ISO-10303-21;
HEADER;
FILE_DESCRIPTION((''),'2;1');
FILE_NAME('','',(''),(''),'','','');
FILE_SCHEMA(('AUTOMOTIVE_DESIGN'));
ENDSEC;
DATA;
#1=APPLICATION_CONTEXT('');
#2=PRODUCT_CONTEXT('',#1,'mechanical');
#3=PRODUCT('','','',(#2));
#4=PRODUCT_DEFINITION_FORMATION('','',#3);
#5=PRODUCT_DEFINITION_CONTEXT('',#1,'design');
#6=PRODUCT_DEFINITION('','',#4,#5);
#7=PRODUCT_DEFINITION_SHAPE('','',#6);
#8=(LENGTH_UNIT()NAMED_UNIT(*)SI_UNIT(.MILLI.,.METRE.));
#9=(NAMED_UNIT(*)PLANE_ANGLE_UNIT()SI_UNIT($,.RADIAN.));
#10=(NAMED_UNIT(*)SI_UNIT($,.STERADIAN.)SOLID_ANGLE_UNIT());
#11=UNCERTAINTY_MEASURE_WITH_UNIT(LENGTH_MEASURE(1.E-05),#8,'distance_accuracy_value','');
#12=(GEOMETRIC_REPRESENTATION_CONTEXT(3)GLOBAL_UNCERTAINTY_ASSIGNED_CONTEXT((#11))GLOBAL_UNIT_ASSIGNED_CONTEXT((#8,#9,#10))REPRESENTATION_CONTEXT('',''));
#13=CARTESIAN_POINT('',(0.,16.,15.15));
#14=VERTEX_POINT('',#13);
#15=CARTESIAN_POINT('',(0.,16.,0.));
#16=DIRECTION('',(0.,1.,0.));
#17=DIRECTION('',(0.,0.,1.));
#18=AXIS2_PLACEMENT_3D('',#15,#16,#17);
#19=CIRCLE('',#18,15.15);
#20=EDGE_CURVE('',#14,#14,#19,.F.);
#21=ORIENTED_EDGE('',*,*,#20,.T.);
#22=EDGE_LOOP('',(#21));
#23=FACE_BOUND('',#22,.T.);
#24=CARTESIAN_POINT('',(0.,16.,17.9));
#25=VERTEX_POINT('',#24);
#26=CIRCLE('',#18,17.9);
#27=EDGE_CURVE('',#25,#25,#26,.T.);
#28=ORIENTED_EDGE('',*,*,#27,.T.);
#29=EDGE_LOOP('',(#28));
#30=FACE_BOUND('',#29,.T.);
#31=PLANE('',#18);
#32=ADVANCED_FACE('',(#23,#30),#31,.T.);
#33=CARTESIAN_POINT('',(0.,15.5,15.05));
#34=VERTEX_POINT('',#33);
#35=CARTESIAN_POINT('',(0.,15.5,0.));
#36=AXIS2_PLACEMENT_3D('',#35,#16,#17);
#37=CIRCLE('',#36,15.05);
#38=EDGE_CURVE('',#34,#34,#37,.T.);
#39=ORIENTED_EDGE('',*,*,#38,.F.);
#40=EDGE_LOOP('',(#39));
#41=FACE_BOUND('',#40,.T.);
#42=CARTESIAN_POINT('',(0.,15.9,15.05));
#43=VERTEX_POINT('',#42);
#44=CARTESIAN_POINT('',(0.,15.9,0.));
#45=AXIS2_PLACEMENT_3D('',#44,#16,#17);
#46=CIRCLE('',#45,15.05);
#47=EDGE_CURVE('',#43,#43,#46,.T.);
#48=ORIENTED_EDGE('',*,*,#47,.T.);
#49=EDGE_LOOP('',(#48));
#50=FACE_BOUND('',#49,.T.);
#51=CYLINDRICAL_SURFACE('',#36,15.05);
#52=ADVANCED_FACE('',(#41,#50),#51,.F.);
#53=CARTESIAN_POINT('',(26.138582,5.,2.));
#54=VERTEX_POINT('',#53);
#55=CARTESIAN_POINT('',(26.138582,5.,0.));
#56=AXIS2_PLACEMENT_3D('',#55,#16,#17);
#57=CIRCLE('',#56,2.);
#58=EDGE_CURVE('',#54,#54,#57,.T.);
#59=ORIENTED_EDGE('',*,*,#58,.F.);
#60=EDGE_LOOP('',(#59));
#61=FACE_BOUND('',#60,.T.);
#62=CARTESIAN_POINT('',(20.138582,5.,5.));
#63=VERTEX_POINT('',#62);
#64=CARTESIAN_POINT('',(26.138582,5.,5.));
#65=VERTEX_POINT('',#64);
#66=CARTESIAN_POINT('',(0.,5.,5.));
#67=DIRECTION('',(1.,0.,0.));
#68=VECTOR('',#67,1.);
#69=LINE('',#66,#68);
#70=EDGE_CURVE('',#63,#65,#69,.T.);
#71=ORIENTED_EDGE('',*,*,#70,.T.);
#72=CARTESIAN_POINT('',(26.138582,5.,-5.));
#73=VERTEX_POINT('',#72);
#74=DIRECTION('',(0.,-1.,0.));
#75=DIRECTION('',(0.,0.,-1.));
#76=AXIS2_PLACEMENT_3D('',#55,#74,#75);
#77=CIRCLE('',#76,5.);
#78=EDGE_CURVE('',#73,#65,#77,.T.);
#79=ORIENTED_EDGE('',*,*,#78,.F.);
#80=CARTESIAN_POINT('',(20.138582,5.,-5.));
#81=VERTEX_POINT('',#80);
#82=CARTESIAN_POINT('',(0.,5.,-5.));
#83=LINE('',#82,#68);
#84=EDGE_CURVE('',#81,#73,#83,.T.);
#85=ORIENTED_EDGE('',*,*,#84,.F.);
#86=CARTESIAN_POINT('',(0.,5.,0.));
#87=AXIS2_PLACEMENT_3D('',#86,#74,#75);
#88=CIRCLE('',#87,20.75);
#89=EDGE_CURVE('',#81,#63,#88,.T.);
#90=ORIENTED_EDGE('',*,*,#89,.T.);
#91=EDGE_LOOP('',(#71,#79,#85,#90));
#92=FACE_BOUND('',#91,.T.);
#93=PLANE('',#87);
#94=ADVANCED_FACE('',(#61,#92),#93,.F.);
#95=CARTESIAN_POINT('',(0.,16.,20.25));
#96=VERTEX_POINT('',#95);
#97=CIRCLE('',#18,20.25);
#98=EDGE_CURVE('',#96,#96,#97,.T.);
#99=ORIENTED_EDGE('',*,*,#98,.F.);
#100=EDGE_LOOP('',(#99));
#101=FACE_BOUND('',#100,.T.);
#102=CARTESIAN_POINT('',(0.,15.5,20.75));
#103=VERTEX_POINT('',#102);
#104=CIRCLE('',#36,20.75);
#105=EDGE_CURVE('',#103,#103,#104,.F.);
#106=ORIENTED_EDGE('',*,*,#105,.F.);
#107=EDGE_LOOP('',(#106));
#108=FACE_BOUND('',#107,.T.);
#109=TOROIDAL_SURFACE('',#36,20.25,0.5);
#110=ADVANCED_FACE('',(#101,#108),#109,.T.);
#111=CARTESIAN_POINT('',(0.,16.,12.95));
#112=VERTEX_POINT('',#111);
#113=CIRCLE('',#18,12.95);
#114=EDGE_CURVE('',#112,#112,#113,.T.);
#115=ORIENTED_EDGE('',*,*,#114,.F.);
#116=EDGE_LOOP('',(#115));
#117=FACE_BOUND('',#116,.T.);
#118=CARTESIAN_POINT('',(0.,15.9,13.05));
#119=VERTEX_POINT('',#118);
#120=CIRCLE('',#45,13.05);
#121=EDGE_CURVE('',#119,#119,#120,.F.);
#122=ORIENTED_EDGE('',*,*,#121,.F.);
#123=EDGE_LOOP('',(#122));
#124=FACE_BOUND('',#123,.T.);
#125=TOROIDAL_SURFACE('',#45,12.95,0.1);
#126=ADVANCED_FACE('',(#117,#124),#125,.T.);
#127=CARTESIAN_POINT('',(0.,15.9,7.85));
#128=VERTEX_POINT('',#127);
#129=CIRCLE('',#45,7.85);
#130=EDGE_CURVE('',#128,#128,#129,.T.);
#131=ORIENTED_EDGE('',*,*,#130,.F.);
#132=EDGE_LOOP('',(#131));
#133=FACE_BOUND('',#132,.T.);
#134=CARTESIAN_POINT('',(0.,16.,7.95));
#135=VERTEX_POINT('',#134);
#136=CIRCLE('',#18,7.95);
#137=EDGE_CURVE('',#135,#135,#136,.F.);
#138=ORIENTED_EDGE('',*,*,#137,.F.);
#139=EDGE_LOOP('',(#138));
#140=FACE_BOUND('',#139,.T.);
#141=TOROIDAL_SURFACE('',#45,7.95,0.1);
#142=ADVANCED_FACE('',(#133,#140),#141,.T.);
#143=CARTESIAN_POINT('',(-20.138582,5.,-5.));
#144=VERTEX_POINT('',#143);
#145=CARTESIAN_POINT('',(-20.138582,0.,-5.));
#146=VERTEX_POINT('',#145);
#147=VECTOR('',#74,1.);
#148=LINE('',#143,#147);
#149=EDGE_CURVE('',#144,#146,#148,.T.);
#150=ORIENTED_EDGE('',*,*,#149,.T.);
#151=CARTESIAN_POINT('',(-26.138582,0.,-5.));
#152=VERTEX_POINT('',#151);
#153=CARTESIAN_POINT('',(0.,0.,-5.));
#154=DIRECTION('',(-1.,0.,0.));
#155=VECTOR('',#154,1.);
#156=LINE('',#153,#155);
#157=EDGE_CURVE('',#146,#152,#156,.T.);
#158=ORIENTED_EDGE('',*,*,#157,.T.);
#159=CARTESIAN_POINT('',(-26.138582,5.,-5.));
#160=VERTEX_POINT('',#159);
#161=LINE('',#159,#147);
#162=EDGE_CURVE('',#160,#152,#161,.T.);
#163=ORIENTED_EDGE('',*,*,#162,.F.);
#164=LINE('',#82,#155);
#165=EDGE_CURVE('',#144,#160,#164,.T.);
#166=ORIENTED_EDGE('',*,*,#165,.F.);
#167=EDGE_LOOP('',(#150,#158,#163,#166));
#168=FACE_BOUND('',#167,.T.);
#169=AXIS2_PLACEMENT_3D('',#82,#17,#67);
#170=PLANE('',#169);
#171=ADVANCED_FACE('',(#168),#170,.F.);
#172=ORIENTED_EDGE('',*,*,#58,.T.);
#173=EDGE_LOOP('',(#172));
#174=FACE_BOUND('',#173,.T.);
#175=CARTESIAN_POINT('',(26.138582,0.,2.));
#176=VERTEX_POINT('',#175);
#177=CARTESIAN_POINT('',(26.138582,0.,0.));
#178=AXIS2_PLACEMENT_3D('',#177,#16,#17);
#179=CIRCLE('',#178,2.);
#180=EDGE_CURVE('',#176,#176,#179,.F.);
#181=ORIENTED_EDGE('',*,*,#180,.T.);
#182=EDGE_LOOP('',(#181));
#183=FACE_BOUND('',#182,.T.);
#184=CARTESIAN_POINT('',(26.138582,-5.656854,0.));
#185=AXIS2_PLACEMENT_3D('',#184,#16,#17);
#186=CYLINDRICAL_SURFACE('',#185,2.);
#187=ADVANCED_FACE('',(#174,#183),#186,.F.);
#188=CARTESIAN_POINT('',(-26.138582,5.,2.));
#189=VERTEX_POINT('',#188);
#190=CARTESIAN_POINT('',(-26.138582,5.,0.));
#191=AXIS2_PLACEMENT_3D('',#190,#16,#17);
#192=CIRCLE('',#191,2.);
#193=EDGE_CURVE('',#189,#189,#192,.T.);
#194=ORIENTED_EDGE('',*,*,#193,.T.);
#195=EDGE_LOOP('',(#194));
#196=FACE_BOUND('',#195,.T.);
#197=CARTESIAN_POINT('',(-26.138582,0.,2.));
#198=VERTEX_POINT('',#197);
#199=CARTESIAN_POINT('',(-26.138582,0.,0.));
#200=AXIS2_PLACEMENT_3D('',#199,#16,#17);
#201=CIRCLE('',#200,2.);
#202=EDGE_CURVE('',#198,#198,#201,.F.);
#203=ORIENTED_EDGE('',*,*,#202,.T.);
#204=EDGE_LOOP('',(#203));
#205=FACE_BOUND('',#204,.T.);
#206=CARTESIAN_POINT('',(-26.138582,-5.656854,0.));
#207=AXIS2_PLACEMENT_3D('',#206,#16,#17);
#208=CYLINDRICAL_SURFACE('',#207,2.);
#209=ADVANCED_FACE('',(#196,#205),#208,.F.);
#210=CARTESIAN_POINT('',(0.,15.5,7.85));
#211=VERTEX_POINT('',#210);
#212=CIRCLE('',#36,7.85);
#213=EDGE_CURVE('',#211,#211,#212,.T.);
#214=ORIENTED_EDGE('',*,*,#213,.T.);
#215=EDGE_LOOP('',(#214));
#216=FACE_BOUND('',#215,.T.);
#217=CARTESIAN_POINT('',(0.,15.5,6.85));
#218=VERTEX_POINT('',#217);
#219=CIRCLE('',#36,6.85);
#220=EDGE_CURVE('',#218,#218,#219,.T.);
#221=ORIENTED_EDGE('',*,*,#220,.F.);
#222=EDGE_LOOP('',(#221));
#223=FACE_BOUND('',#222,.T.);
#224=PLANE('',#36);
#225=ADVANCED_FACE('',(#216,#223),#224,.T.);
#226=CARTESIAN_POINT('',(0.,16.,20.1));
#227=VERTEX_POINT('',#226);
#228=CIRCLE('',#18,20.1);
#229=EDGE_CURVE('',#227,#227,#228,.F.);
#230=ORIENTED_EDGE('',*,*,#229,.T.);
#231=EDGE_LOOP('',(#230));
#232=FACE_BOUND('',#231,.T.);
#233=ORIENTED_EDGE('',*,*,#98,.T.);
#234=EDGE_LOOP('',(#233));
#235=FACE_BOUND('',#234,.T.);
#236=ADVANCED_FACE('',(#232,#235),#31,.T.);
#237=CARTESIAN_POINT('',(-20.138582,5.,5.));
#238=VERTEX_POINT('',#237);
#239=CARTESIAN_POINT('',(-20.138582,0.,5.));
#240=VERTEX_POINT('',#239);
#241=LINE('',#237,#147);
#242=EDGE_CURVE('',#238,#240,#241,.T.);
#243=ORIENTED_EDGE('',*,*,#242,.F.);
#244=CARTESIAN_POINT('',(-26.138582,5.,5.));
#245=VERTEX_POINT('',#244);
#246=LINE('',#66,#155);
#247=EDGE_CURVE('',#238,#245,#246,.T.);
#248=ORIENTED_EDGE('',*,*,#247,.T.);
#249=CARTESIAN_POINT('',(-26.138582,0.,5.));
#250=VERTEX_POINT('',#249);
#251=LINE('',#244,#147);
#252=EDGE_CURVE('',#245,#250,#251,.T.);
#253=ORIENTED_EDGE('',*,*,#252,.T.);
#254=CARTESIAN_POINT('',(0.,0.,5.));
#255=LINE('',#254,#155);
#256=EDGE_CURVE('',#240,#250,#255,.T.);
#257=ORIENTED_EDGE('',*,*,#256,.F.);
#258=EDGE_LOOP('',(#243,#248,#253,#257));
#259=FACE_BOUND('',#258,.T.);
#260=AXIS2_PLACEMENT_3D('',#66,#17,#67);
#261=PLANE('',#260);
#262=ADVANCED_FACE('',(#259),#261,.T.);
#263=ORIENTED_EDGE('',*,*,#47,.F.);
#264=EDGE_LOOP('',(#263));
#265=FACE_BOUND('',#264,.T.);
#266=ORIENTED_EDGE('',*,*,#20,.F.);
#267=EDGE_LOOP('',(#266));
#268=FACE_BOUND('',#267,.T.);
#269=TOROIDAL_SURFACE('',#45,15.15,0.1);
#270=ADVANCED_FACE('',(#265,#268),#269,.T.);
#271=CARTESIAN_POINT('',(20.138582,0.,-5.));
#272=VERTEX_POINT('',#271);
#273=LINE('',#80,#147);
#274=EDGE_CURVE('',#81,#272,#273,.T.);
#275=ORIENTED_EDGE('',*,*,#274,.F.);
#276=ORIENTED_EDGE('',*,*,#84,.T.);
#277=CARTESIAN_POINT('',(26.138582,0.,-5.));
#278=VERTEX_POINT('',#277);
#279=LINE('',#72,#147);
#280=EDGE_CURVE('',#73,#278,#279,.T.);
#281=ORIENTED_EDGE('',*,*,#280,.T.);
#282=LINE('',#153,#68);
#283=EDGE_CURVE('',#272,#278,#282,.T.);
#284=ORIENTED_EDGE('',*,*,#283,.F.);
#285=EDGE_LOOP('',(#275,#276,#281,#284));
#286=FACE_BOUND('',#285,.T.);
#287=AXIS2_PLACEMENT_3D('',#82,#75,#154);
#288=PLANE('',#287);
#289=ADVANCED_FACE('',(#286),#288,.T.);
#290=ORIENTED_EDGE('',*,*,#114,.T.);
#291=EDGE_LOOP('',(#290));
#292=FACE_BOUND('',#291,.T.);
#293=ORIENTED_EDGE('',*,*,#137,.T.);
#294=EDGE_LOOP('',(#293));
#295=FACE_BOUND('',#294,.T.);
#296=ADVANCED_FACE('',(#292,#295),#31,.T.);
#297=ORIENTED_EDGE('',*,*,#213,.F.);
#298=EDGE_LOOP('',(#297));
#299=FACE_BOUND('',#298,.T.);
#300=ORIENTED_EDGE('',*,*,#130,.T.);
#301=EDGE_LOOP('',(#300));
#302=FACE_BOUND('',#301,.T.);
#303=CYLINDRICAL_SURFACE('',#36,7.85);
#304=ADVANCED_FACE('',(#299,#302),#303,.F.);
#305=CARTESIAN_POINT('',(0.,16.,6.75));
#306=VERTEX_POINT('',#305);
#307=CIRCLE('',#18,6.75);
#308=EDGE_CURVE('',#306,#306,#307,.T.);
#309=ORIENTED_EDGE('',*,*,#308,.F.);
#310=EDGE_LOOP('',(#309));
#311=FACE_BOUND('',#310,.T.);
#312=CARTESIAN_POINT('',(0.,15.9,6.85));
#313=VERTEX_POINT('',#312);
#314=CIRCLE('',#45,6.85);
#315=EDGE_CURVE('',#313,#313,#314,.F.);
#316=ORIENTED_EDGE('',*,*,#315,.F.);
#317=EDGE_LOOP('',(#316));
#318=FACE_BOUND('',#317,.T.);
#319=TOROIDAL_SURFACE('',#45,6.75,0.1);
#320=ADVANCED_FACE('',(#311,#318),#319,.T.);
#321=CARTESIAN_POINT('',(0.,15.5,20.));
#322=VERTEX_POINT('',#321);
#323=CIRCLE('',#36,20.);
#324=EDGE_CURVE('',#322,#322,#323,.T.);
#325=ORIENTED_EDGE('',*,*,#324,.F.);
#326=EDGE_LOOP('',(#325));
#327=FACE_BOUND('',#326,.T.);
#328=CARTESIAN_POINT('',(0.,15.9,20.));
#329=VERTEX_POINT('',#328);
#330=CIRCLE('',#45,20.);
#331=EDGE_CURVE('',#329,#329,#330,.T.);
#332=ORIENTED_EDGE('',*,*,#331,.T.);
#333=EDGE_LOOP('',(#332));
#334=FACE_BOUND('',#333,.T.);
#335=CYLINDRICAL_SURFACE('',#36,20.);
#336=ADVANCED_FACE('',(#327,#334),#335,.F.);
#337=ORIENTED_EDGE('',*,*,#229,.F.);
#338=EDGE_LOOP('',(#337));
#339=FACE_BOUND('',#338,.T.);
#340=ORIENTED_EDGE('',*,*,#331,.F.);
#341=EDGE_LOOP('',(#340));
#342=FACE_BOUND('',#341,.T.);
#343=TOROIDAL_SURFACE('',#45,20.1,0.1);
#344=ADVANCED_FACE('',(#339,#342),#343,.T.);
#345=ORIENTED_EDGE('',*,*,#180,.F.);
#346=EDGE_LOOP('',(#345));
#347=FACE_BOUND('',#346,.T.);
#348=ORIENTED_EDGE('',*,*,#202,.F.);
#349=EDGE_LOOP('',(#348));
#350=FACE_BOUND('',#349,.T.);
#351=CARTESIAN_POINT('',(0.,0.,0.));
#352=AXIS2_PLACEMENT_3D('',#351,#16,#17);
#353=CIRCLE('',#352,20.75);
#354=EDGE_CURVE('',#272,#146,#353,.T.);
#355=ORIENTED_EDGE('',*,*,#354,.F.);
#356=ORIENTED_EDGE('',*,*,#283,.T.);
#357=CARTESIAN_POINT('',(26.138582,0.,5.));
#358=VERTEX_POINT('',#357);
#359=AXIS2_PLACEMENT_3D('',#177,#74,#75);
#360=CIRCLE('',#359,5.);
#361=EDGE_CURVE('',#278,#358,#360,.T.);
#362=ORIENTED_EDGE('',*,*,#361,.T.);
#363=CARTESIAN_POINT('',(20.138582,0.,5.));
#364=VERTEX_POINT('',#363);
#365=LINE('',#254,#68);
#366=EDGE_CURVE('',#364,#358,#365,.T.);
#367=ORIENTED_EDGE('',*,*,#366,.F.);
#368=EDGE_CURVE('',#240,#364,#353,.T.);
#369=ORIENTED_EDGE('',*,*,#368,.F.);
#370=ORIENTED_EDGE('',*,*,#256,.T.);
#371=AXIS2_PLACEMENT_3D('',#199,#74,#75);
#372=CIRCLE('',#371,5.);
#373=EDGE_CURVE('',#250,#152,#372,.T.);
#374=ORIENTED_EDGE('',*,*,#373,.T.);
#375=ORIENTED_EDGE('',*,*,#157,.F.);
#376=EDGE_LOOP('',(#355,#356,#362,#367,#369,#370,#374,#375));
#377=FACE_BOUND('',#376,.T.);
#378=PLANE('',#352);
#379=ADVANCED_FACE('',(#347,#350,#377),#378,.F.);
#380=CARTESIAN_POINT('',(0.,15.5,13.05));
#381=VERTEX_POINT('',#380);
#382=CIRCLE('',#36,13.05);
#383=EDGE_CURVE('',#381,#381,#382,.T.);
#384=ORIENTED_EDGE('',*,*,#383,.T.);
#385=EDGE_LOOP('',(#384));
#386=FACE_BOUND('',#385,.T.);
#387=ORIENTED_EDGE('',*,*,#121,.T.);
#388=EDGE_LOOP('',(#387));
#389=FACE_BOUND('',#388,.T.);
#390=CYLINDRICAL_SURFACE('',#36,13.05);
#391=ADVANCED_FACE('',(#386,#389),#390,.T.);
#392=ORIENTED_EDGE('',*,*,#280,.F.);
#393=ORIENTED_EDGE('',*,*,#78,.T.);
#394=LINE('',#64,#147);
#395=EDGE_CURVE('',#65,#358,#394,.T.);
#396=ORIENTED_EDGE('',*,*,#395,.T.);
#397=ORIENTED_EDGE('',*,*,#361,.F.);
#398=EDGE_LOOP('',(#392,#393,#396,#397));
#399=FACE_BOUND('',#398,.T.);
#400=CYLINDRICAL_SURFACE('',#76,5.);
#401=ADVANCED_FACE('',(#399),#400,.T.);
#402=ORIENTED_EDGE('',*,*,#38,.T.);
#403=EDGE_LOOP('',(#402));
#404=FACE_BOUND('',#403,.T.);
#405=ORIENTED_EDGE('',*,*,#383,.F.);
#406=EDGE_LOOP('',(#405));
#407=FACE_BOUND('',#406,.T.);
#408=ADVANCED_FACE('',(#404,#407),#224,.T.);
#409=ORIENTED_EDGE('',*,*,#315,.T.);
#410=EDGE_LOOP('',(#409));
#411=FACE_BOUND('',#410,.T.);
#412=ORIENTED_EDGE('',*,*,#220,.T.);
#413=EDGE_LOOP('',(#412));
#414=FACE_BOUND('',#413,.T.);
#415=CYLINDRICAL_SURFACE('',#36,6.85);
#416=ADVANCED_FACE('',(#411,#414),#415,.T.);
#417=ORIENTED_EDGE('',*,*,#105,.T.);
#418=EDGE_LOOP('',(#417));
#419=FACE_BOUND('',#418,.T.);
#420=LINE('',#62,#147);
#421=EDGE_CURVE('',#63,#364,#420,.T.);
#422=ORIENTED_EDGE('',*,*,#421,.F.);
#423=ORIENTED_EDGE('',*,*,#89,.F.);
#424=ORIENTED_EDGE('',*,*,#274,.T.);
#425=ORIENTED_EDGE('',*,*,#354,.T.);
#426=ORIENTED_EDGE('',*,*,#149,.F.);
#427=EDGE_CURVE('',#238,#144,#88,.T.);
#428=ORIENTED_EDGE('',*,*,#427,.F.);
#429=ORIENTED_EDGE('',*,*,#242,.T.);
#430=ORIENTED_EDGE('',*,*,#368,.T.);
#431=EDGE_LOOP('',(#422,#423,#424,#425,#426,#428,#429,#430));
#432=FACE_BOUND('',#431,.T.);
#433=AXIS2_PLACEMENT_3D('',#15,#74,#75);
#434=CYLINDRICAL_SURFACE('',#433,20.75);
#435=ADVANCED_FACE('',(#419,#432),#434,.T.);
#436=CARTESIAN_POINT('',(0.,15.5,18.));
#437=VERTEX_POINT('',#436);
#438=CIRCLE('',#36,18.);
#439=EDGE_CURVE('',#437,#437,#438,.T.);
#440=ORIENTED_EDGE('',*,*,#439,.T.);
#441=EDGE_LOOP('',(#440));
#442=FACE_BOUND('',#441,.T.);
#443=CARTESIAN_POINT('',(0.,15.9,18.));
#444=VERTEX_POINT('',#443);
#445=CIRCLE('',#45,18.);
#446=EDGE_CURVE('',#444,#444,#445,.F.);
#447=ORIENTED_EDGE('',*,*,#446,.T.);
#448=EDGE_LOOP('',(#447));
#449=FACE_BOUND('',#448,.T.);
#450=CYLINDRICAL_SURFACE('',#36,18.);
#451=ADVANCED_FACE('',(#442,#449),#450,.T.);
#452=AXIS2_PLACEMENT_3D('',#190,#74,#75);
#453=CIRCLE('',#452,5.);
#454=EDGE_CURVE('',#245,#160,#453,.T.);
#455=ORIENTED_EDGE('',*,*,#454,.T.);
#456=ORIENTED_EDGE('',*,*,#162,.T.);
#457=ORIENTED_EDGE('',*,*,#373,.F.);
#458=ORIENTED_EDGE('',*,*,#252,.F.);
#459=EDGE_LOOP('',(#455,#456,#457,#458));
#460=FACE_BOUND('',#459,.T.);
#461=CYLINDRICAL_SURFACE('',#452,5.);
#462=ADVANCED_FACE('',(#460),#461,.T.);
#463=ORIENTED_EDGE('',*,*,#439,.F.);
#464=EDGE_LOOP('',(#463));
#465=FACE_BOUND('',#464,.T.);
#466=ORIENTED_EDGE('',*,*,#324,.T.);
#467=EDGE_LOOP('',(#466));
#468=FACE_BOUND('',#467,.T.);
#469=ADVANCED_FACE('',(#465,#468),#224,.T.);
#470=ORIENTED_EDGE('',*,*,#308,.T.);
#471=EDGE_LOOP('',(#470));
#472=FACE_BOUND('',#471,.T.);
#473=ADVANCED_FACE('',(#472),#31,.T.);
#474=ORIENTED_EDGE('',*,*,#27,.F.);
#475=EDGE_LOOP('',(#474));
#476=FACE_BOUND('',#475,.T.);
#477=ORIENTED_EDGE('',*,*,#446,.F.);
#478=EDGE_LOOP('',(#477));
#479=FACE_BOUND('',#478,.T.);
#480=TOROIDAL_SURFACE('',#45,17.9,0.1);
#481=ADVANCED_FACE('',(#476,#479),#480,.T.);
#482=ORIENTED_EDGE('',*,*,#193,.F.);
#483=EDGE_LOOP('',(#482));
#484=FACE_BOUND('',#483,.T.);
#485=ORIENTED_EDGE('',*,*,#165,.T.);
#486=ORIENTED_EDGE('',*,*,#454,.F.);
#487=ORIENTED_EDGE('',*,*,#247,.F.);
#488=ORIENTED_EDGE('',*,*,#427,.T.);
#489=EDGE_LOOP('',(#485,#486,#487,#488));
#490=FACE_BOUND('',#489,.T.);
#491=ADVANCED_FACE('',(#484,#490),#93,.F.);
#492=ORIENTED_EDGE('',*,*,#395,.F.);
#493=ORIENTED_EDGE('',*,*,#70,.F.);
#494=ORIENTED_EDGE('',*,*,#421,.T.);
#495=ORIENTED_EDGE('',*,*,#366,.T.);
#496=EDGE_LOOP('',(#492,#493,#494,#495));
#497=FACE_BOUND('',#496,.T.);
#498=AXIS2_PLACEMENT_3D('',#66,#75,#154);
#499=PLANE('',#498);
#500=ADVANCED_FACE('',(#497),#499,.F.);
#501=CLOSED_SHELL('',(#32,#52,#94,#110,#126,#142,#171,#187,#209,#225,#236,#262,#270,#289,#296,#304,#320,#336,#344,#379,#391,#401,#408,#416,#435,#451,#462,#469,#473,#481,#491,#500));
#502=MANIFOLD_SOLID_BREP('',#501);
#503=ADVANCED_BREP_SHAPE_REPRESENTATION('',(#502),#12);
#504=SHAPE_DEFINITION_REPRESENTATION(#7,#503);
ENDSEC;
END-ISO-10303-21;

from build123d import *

# Parameters (mm, degrees)
SKETCH1_R           = 20.75
BOSS_EXTRUDE1_DEPTH = 16
SKETCH2_R           = 20
SKETCH2_R_2         = 18
SKETCH2_R_3         = 15.05
SKETCH2_R_4         = 13.05
SKETCH2_R_5         = 7.85
SKETCH2_R_6         = 6.85
CUT_EXTRUDE1_DEPTH  = 0.5
FILLET1_R           = 0.1
FILLET2_R           = 0.5
SKETCH3_R           = 5
BOSS_EXTRUDE2_DEPTH = 5
SKETCH4_R           = 2
CUT_EXTRUDE2_DEPTH  = 5


with BuildPart() as part:
    # Sketch1 → Boss-Extrude1 (new body)
    with BuildSketch(Plane(origin=(0, 0, 0), x_dir=(1, 0, 0), z_dir=(0, 1, 0))):
        with Locations(Location((0, 0, 0), (0, 0, 270))):
            Circle(SKETCH1_R)
    extrude(amount=BOSS_EXTRUDE1_DEPTH)

    # Sketch2 → Cut-Extrude1 (cut)
    with BuildSketch(Plane(origin=(0, 16, 0), x_dir=(1, 0, 0), z_dir=(0, 1, 0))):
        with Locations(Location((0, 0, 0), (0, 0, 270))):
            Circle(SKETCH2_R)
        with Locations(Location((0, 0, 0), (0, 0, 270))):
            Circle(SKETCH2_R_2, mode=Mode.SUBTRACT)
        with Locations(Location((0, 0, 0), (0, 0, 270))):
            Circle(SKETCH2_R_3)
        with Locations(Location((0, 0, 0), (0, 0, 270))):
            Circle(SKETCH2_R_4, mode=Mode.SUBTRACT)
        with Locations(Location((0, 0, 0), (0, 0, 270))):
            Circle(SKETCH2_R_5)
        with Locations(Location((0, 0, 0), (0, 0, 270))):
            Circle(SKETCH2_R_6, mode=Mode.SUBTRACT)
    extrude(amount=-CUT_EXTRUDE1_DEPTH, mode=Mode.SUBTRACT)

    # Fillet1
    fillet1_edges = [part.edges().sort_by_distance(p)[0] for p in [
        (0, 16, -18),
        (0, 16, -20),
        (0, 16, -13.05),
        (0, 16, -15.05),
        (0, 16, -6.85),
        (0, 16, -7.85),
    ]]
    fillet(fillet1_edges, radius=FILLET1_R)

    # Fillet2
    fillet2_edges = [part.edges().sort_by_distance(p)[0] for p in [
        (0, 16, -20.75),
    ]]
    fillet(fillet2_edges, radius=FILLET2_R)

    # Sketch3 → Boss-Extrude2 (add)
    with BuildSketch(Plane.XZ):
        with BuildLine():
            Line((-26.138582373, -5), (-20.138582373, -5))
            ThreePointArc((-20.138582373, -5), (-20.75, 0), (-20.138582373, 5))
            Line((-20.138582373, 5), (-26.138582373, 5))
            ThreePointArc((-26.138582373, 5), (-22.603048467, 3.535533906), (-21.138582373, 0))
            ThreePointArc((-21.138582373, 0), (-22.603048467, -3.535533906), (-26.138582373, -5))
        make_face()
        with BuildLine():
            ThreePointArc((20.75, 0), (20.596578408, -2.518622218), (20.138582373, -5))
            Line((20.138582373, -5), (26.138582373, -5))
            ThreePointArc((26.138582373, -5), (21.138582373, 0), (26.138582373, 5))
            Line((26.138582373, 5), (20.138582373, 5))
            ThreePointArc((20.138582373, 5), (20.596578408, 2.518622218), (20.75, 0))
        make_face()
        with Locations((-26.138582373, 0)):
            Circle(SKETCH3_R)
        with Locations((26.138582373, 0)):
            Circle(SKETCH3_R)
    extrude(amount=-BOSS_EXTRUDE2_DEPTH)

    # Sketch4 → Cut-Extrude2 (cut)
    with BuildSketch(Plane(origin=(0, 5, 0), x_dir=(1, 0, 0), z_dir=(0, 1, 0))):
        with Locations(Location((26.138582373, 0, 0), (0, 0, 270))):
            Circle(SKETCH4_R)
        with Locations(Location((-26.138582373, 0, 0), (0, 0, 270))):
            Circle(SKETCH4_R)
    extrude(amount=-CUT_EXTRUDE2_DEPTH, mode=Mode.SUBTRACT)


solid = part.part
